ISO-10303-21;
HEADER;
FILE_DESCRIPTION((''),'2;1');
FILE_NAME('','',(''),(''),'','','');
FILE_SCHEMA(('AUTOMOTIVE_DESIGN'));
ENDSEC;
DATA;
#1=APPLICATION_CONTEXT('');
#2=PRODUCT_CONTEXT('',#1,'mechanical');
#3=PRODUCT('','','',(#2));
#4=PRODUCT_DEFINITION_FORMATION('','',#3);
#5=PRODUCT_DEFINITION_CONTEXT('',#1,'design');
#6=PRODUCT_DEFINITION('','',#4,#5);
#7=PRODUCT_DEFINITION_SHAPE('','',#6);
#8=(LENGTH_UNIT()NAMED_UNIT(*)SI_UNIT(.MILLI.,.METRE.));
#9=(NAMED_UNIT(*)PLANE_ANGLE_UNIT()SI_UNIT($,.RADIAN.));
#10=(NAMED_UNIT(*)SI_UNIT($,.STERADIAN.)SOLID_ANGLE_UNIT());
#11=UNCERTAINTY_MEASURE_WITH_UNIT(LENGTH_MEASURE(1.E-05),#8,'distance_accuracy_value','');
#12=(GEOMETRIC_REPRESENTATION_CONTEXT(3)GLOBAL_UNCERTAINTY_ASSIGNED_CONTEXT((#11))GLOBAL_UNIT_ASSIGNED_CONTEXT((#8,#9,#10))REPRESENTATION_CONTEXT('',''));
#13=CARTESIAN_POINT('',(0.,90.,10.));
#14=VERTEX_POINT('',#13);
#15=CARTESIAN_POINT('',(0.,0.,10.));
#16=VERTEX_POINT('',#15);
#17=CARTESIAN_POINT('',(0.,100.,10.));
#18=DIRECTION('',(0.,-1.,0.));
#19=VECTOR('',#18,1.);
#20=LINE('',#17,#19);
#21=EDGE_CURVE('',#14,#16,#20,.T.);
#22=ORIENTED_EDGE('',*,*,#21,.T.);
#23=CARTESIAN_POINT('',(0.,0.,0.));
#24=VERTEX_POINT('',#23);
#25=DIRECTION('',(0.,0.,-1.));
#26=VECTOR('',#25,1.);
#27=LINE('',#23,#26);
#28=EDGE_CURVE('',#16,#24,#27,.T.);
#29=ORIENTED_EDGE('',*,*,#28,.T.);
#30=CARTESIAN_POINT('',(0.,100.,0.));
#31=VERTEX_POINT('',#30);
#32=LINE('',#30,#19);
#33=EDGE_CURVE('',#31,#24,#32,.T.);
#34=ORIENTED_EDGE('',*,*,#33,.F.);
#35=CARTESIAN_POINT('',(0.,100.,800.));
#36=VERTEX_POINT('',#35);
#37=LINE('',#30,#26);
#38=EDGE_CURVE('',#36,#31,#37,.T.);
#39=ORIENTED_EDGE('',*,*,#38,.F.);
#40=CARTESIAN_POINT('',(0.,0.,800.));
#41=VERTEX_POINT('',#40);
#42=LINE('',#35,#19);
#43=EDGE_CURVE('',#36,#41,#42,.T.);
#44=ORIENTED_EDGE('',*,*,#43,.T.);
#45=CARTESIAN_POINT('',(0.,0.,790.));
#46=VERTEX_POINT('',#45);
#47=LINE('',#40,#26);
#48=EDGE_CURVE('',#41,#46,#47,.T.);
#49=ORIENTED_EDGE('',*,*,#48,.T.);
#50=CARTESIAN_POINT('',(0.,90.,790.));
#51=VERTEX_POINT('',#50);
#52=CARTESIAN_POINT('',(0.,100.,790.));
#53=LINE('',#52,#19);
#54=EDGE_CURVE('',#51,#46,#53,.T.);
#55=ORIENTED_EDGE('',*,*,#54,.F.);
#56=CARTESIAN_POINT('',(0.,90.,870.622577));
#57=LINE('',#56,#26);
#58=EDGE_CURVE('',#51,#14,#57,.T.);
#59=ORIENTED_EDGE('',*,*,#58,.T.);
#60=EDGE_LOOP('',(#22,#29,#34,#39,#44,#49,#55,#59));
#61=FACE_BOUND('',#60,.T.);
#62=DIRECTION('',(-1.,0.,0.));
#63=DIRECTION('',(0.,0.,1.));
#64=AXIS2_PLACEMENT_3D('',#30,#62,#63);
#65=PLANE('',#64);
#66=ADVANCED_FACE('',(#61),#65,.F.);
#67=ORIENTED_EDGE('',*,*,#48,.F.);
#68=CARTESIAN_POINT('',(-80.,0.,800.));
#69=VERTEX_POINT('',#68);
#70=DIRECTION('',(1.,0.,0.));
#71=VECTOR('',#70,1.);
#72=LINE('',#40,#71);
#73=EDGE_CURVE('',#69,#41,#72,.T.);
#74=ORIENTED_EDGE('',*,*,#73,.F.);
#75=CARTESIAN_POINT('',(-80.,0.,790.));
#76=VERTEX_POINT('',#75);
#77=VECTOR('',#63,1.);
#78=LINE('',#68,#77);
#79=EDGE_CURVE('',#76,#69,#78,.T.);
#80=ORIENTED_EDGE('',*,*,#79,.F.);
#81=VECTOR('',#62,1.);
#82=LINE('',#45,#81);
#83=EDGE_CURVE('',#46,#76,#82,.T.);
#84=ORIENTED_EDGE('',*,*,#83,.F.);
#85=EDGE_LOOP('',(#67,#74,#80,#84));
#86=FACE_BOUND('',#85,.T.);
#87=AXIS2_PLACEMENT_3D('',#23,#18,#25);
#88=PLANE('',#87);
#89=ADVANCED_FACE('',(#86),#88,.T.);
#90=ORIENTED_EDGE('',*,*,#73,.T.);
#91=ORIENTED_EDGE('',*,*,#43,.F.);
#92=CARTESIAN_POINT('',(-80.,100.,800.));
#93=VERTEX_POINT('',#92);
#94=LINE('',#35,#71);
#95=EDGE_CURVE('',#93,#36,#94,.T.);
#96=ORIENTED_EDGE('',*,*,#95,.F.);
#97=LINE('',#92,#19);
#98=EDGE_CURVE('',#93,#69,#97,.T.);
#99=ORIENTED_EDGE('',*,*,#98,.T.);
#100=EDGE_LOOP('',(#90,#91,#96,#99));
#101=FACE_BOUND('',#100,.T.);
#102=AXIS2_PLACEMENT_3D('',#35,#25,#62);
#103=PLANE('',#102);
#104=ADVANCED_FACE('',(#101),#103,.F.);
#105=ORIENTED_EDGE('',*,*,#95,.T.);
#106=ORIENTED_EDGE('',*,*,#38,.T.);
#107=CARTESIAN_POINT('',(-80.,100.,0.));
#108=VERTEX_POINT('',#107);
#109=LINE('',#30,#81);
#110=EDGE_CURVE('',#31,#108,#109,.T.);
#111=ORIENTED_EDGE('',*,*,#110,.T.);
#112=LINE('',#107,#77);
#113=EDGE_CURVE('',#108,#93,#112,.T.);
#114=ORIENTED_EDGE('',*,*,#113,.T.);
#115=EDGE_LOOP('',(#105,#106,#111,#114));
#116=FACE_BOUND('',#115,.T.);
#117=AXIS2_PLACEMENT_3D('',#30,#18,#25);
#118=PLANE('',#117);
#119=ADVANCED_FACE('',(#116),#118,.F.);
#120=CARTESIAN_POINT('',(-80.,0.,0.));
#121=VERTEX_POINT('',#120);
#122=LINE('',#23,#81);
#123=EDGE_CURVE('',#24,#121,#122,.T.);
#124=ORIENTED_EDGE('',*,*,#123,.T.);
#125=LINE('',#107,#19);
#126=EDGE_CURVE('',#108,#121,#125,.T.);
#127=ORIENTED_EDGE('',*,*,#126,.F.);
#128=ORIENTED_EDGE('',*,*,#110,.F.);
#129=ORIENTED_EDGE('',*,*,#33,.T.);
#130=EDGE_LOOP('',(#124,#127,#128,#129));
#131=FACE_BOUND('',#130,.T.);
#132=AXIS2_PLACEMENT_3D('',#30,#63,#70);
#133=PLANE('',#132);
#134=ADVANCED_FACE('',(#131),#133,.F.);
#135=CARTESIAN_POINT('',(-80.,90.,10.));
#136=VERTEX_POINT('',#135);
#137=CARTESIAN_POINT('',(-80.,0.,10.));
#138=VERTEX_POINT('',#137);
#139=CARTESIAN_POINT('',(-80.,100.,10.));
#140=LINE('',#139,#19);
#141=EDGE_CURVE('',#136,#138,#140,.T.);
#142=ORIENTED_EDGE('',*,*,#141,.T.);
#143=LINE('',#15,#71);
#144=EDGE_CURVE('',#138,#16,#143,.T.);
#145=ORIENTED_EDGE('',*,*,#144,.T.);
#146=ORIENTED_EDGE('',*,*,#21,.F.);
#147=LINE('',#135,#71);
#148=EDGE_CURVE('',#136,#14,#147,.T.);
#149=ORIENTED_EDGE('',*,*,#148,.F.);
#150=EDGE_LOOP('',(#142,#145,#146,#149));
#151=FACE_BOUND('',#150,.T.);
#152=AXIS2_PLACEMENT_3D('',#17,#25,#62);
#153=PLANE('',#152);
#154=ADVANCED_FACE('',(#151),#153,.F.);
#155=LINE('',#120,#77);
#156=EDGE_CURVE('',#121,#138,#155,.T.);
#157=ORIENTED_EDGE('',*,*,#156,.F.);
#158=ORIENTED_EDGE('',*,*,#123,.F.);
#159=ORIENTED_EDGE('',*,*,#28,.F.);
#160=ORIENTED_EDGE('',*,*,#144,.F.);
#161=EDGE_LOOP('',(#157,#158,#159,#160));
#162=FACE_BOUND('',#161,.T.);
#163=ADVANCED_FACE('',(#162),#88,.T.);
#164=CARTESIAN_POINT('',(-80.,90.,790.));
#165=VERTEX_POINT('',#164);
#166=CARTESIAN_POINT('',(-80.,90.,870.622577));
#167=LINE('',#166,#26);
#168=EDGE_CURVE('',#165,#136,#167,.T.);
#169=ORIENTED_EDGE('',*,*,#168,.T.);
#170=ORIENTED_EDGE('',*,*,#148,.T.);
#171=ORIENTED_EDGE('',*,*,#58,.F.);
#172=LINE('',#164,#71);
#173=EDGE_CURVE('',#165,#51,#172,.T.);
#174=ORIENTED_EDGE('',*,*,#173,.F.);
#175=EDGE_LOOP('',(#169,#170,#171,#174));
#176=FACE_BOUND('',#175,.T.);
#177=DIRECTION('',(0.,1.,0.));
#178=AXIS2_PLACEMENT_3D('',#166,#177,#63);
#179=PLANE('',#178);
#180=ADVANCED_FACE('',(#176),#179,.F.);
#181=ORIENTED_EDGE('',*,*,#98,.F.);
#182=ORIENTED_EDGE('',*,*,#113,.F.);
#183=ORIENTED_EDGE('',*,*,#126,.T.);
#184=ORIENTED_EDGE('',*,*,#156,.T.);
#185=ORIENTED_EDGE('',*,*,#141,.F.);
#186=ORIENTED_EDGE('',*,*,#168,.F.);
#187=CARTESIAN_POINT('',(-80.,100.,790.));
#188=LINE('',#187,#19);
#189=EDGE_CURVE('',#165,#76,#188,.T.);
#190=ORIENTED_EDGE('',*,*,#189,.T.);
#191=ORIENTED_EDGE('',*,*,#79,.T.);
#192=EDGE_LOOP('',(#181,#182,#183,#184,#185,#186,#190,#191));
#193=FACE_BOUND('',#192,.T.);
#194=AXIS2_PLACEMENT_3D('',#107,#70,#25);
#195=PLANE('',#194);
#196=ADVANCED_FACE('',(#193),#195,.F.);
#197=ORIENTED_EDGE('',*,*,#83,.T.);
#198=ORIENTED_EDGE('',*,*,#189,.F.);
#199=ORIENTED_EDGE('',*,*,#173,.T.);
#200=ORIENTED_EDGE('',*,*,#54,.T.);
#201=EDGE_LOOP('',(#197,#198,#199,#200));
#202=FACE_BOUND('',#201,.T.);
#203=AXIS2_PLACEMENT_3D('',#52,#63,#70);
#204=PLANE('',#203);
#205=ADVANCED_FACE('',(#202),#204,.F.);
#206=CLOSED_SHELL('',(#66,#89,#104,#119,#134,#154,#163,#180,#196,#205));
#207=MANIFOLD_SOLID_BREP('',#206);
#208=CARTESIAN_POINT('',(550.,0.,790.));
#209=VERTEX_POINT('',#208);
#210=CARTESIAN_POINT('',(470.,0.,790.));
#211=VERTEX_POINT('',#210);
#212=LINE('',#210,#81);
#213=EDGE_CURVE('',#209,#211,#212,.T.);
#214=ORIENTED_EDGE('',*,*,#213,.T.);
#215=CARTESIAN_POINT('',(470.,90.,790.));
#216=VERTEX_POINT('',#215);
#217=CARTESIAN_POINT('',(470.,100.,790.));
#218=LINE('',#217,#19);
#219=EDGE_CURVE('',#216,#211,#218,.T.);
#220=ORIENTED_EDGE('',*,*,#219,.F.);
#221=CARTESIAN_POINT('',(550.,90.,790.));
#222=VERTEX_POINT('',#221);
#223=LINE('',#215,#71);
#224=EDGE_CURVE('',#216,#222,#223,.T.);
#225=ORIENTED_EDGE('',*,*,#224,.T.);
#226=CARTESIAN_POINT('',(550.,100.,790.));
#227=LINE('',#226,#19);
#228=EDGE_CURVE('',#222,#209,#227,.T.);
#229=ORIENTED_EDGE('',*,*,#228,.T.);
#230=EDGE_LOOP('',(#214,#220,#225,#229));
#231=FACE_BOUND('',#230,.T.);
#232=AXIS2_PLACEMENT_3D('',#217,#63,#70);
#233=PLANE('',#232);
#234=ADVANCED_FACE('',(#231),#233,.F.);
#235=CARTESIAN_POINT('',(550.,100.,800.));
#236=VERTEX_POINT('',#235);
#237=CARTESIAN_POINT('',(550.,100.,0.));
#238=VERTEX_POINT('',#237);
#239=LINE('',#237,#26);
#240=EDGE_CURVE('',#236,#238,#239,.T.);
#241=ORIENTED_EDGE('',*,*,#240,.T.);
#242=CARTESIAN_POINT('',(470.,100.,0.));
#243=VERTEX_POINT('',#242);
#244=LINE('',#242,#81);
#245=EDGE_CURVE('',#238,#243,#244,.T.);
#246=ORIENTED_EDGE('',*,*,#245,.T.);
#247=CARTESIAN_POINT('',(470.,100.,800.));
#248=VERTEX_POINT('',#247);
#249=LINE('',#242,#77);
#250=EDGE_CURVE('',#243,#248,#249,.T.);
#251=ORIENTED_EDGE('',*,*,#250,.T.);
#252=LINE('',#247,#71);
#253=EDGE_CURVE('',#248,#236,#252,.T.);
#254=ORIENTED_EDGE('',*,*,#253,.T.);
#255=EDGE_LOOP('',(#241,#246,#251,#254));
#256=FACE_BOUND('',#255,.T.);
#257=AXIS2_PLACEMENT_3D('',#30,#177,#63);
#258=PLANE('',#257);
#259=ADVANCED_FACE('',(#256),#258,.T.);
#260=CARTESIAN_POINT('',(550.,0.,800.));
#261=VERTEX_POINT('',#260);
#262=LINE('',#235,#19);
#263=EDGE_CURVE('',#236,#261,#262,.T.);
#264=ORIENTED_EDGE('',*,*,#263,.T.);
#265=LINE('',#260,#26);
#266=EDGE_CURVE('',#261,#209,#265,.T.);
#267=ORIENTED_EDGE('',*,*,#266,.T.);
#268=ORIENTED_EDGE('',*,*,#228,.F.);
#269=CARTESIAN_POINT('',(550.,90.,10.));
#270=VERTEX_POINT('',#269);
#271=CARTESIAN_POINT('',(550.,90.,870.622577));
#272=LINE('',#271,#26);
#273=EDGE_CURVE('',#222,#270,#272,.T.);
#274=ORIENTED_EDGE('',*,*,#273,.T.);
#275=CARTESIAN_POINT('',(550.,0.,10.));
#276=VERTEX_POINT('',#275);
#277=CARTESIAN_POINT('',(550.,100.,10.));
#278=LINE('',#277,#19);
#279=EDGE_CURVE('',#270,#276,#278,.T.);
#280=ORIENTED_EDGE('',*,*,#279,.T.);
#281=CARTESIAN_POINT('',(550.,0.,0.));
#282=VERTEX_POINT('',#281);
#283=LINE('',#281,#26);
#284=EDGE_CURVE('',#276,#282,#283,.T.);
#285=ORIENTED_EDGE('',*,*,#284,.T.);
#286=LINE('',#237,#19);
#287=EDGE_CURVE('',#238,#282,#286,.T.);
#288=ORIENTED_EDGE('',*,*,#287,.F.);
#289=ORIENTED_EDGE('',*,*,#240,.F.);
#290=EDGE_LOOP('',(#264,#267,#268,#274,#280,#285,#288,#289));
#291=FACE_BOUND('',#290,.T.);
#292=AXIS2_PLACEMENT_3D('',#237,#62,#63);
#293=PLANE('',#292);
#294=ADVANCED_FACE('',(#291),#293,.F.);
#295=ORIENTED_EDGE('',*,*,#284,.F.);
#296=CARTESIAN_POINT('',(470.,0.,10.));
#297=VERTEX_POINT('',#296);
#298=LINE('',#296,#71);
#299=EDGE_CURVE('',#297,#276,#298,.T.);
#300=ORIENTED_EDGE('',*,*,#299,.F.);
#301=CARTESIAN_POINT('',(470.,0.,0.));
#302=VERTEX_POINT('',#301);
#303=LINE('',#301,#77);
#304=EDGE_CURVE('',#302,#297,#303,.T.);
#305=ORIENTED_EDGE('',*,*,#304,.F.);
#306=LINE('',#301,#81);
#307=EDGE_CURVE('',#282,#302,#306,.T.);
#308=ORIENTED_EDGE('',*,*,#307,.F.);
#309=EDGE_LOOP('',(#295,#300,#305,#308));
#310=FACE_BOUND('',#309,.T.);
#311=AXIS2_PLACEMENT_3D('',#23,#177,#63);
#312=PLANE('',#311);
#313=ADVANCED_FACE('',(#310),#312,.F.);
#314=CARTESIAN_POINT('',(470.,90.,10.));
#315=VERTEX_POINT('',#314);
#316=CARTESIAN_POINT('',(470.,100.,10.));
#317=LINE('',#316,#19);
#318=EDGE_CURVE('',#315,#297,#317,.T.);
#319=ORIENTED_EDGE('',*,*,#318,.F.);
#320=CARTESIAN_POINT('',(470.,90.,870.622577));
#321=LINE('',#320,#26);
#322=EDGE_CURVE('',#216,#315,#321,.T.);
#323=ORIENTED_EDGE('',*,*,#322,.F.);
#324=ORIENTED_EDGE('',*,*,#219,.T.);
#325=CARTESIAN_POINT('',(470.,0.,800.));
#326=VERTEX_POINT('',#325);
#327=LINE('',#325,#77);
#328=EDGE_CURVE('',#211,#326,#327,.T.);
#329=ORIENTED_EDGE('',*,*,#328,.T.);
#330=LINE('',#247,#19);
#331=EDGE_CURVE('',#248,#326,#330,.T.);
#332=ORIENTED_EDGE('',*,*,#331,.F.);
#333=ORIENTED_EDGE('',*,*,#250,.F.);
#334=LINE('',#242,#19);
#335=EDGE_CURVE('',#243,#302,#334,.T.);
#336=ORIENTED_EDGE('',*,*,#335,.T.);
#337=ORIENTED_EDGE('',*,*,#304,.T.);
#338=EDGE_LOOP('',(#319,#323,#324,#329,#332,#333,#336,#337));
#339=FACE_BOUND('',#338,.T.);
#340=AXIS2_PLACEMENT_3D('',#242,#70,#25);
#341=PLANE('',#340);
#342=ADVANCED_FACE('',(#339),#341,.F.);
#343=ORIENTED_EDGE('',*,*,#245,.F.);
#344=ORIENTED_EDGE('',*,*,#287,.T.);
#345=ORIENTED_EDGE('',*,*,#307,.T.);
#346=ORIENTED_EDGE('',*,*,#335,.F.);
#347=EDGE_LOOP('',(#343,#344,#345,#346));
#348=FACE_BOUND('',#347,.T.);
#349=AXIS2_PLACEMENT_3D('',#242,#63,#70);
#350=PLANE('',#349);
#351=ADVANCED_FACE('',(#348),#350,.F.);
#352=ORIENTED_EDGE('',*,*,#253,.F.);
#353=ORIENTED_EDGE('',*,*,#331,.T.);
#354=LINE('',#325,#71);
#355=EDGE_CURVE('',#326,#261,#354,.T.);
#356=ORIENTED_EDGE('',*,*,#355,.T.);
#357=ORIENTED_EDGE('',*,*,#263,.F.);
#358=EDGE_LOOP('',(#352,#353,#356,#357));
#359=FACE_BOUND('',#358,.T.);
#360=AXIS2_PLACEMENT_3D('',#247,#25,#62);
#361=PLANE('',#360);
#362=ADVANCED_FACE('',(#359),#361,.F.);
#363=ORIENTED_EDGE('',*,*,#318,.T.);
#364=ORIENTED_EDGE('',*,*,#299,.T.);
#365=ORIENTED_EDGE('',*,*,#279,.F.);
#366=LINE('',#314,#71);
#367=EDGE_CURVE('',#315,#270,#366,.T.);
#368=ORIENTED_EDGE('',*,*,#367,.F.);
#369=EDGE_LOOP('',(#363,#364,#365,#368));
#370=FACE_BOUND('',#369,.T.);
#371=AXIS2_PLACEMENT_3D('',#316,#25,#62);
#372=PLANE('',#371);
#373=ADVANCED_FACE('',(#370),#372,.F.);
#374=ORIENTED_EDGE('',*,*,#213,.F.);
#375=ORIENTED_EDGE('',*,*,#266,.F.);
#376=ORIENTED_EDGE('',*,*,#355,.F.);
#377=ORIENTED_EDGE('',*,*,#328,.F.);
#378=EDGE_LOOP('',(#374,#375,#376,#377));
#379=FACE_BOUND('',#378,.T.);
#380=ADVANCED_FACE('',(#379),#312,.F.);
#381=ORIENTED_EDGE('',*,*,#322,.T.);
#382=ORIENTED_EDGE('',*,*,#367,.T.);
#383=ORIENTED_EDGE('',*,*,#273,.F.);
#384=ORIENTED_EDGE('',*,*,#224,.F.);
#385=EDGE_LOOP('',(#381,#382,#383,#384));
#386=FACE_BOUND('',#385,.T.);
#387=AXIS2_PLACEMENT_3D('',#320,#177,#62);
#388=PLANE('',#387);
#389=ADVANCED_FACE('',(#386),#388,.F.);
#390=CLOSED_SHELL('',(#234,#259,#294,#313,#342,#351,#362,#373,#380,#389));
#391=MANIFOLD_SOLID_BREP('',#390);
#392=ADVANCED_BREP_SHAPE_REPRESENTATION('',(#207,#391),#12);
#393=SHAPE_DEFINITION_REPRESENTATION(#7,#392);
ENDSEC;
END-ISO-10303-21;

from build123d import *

# Parameters (mm, degrees)
CROQUIS1_W                = 80
CROQUIS1_H                = 10
SALIENTE_EXTRUIR1_DEPTH   = 100
SALIENTE_EXTRUIR1_2_DEPTH = 100
SALIENTE_EXTRUIR1_3_DEPTH = 100
SALIENTE_EXTRUIR1_4_DEPTH = 100
CROQUIS2_W                = 80
CROQUIS2_H                = 10
SALIENTE_EXTRUIR2_DEPTH   = 780


with BuildPart() as part:
    # Croquis1 → Saliente-Extruir1 (new body)
    with BuildSketch(Plane(origin=(0, 0, 0), x_dir=(1, 0, 0), z_dir=(0, 1, 0))):
        with Locations((-40, -5)):
            Rectangle(CROQUIS1_W, CROQUIS1_H)
    extrude(amount=SALIENTE_EXTRUIR1_DEPTH)



with BuildPart() as body_2:
    # Croquis1 → Saliente-Extruir1 2 (new body)
    with BuildSketch(Plane(origin=(0, 0, 0), x_dir=(1, 0, 0), z_dir=(0, 1, 0))):
        with Locations((510, -5)):
            Rectangle(CROQUIS1_W, CROQUIS1_H)
    extrude(amount=SALIENTE_EXTRUIR1_2_DEPTH)


with BuildPart() as body_3:
    # Croquis1 → Saliente-Extruir1 3 (new body)
    with BuildSketch(Plane(origin=(0, 0, 0), x_dir=(1, 0, 0), z_dir=(0, 1, 0))):
        with Locations((510, -795)):
            Rectangle(CROQUIS1_W, CROQUIS1_H)
    extrude(amount=SALIENTE_EXTRUIR1_3_DEPTH)


with BuildPart() as body_4:
    # Croquis1 → Saliente-Extruir1 4 (new body)
    with BuildSketch(Plane(origin=(0, 0, 0), x_dir=(1, 0, 0), z_dir=(0, 1, 0))):
        with Locations((-40, -795)):
            Rectangle(CROQUIS1_W, CROQUIS1_H)
    extrude(amount=SALIENTE_EXTRUIR1_4_DEPTH)


with BuildPart() as part_1:
    add(part.part)

    add(body_2.part)  # Saliente-Extruir2 merges body 2

    add(body_3.part)  # Saliente-Extruir2 merges body 3

    add(body_4.part)  # Saliente-Extruir2 merges body 4
    # Croquis2 → Saliente-Extruir2 (add)
    with BuildSketch(Plane.XY.offset(10)):
        with Locations((-40, 95)):
            Rectangle(CROQUIS2_W, CROQUIS2_H)
        with Locations((510, 95)):
            Rectangle(CROQUIS2_W, CROQUIS2_H)
    extrude(amount=SALIENTE_EXTRUIR2_DEPTH)


solid = part_1.part
